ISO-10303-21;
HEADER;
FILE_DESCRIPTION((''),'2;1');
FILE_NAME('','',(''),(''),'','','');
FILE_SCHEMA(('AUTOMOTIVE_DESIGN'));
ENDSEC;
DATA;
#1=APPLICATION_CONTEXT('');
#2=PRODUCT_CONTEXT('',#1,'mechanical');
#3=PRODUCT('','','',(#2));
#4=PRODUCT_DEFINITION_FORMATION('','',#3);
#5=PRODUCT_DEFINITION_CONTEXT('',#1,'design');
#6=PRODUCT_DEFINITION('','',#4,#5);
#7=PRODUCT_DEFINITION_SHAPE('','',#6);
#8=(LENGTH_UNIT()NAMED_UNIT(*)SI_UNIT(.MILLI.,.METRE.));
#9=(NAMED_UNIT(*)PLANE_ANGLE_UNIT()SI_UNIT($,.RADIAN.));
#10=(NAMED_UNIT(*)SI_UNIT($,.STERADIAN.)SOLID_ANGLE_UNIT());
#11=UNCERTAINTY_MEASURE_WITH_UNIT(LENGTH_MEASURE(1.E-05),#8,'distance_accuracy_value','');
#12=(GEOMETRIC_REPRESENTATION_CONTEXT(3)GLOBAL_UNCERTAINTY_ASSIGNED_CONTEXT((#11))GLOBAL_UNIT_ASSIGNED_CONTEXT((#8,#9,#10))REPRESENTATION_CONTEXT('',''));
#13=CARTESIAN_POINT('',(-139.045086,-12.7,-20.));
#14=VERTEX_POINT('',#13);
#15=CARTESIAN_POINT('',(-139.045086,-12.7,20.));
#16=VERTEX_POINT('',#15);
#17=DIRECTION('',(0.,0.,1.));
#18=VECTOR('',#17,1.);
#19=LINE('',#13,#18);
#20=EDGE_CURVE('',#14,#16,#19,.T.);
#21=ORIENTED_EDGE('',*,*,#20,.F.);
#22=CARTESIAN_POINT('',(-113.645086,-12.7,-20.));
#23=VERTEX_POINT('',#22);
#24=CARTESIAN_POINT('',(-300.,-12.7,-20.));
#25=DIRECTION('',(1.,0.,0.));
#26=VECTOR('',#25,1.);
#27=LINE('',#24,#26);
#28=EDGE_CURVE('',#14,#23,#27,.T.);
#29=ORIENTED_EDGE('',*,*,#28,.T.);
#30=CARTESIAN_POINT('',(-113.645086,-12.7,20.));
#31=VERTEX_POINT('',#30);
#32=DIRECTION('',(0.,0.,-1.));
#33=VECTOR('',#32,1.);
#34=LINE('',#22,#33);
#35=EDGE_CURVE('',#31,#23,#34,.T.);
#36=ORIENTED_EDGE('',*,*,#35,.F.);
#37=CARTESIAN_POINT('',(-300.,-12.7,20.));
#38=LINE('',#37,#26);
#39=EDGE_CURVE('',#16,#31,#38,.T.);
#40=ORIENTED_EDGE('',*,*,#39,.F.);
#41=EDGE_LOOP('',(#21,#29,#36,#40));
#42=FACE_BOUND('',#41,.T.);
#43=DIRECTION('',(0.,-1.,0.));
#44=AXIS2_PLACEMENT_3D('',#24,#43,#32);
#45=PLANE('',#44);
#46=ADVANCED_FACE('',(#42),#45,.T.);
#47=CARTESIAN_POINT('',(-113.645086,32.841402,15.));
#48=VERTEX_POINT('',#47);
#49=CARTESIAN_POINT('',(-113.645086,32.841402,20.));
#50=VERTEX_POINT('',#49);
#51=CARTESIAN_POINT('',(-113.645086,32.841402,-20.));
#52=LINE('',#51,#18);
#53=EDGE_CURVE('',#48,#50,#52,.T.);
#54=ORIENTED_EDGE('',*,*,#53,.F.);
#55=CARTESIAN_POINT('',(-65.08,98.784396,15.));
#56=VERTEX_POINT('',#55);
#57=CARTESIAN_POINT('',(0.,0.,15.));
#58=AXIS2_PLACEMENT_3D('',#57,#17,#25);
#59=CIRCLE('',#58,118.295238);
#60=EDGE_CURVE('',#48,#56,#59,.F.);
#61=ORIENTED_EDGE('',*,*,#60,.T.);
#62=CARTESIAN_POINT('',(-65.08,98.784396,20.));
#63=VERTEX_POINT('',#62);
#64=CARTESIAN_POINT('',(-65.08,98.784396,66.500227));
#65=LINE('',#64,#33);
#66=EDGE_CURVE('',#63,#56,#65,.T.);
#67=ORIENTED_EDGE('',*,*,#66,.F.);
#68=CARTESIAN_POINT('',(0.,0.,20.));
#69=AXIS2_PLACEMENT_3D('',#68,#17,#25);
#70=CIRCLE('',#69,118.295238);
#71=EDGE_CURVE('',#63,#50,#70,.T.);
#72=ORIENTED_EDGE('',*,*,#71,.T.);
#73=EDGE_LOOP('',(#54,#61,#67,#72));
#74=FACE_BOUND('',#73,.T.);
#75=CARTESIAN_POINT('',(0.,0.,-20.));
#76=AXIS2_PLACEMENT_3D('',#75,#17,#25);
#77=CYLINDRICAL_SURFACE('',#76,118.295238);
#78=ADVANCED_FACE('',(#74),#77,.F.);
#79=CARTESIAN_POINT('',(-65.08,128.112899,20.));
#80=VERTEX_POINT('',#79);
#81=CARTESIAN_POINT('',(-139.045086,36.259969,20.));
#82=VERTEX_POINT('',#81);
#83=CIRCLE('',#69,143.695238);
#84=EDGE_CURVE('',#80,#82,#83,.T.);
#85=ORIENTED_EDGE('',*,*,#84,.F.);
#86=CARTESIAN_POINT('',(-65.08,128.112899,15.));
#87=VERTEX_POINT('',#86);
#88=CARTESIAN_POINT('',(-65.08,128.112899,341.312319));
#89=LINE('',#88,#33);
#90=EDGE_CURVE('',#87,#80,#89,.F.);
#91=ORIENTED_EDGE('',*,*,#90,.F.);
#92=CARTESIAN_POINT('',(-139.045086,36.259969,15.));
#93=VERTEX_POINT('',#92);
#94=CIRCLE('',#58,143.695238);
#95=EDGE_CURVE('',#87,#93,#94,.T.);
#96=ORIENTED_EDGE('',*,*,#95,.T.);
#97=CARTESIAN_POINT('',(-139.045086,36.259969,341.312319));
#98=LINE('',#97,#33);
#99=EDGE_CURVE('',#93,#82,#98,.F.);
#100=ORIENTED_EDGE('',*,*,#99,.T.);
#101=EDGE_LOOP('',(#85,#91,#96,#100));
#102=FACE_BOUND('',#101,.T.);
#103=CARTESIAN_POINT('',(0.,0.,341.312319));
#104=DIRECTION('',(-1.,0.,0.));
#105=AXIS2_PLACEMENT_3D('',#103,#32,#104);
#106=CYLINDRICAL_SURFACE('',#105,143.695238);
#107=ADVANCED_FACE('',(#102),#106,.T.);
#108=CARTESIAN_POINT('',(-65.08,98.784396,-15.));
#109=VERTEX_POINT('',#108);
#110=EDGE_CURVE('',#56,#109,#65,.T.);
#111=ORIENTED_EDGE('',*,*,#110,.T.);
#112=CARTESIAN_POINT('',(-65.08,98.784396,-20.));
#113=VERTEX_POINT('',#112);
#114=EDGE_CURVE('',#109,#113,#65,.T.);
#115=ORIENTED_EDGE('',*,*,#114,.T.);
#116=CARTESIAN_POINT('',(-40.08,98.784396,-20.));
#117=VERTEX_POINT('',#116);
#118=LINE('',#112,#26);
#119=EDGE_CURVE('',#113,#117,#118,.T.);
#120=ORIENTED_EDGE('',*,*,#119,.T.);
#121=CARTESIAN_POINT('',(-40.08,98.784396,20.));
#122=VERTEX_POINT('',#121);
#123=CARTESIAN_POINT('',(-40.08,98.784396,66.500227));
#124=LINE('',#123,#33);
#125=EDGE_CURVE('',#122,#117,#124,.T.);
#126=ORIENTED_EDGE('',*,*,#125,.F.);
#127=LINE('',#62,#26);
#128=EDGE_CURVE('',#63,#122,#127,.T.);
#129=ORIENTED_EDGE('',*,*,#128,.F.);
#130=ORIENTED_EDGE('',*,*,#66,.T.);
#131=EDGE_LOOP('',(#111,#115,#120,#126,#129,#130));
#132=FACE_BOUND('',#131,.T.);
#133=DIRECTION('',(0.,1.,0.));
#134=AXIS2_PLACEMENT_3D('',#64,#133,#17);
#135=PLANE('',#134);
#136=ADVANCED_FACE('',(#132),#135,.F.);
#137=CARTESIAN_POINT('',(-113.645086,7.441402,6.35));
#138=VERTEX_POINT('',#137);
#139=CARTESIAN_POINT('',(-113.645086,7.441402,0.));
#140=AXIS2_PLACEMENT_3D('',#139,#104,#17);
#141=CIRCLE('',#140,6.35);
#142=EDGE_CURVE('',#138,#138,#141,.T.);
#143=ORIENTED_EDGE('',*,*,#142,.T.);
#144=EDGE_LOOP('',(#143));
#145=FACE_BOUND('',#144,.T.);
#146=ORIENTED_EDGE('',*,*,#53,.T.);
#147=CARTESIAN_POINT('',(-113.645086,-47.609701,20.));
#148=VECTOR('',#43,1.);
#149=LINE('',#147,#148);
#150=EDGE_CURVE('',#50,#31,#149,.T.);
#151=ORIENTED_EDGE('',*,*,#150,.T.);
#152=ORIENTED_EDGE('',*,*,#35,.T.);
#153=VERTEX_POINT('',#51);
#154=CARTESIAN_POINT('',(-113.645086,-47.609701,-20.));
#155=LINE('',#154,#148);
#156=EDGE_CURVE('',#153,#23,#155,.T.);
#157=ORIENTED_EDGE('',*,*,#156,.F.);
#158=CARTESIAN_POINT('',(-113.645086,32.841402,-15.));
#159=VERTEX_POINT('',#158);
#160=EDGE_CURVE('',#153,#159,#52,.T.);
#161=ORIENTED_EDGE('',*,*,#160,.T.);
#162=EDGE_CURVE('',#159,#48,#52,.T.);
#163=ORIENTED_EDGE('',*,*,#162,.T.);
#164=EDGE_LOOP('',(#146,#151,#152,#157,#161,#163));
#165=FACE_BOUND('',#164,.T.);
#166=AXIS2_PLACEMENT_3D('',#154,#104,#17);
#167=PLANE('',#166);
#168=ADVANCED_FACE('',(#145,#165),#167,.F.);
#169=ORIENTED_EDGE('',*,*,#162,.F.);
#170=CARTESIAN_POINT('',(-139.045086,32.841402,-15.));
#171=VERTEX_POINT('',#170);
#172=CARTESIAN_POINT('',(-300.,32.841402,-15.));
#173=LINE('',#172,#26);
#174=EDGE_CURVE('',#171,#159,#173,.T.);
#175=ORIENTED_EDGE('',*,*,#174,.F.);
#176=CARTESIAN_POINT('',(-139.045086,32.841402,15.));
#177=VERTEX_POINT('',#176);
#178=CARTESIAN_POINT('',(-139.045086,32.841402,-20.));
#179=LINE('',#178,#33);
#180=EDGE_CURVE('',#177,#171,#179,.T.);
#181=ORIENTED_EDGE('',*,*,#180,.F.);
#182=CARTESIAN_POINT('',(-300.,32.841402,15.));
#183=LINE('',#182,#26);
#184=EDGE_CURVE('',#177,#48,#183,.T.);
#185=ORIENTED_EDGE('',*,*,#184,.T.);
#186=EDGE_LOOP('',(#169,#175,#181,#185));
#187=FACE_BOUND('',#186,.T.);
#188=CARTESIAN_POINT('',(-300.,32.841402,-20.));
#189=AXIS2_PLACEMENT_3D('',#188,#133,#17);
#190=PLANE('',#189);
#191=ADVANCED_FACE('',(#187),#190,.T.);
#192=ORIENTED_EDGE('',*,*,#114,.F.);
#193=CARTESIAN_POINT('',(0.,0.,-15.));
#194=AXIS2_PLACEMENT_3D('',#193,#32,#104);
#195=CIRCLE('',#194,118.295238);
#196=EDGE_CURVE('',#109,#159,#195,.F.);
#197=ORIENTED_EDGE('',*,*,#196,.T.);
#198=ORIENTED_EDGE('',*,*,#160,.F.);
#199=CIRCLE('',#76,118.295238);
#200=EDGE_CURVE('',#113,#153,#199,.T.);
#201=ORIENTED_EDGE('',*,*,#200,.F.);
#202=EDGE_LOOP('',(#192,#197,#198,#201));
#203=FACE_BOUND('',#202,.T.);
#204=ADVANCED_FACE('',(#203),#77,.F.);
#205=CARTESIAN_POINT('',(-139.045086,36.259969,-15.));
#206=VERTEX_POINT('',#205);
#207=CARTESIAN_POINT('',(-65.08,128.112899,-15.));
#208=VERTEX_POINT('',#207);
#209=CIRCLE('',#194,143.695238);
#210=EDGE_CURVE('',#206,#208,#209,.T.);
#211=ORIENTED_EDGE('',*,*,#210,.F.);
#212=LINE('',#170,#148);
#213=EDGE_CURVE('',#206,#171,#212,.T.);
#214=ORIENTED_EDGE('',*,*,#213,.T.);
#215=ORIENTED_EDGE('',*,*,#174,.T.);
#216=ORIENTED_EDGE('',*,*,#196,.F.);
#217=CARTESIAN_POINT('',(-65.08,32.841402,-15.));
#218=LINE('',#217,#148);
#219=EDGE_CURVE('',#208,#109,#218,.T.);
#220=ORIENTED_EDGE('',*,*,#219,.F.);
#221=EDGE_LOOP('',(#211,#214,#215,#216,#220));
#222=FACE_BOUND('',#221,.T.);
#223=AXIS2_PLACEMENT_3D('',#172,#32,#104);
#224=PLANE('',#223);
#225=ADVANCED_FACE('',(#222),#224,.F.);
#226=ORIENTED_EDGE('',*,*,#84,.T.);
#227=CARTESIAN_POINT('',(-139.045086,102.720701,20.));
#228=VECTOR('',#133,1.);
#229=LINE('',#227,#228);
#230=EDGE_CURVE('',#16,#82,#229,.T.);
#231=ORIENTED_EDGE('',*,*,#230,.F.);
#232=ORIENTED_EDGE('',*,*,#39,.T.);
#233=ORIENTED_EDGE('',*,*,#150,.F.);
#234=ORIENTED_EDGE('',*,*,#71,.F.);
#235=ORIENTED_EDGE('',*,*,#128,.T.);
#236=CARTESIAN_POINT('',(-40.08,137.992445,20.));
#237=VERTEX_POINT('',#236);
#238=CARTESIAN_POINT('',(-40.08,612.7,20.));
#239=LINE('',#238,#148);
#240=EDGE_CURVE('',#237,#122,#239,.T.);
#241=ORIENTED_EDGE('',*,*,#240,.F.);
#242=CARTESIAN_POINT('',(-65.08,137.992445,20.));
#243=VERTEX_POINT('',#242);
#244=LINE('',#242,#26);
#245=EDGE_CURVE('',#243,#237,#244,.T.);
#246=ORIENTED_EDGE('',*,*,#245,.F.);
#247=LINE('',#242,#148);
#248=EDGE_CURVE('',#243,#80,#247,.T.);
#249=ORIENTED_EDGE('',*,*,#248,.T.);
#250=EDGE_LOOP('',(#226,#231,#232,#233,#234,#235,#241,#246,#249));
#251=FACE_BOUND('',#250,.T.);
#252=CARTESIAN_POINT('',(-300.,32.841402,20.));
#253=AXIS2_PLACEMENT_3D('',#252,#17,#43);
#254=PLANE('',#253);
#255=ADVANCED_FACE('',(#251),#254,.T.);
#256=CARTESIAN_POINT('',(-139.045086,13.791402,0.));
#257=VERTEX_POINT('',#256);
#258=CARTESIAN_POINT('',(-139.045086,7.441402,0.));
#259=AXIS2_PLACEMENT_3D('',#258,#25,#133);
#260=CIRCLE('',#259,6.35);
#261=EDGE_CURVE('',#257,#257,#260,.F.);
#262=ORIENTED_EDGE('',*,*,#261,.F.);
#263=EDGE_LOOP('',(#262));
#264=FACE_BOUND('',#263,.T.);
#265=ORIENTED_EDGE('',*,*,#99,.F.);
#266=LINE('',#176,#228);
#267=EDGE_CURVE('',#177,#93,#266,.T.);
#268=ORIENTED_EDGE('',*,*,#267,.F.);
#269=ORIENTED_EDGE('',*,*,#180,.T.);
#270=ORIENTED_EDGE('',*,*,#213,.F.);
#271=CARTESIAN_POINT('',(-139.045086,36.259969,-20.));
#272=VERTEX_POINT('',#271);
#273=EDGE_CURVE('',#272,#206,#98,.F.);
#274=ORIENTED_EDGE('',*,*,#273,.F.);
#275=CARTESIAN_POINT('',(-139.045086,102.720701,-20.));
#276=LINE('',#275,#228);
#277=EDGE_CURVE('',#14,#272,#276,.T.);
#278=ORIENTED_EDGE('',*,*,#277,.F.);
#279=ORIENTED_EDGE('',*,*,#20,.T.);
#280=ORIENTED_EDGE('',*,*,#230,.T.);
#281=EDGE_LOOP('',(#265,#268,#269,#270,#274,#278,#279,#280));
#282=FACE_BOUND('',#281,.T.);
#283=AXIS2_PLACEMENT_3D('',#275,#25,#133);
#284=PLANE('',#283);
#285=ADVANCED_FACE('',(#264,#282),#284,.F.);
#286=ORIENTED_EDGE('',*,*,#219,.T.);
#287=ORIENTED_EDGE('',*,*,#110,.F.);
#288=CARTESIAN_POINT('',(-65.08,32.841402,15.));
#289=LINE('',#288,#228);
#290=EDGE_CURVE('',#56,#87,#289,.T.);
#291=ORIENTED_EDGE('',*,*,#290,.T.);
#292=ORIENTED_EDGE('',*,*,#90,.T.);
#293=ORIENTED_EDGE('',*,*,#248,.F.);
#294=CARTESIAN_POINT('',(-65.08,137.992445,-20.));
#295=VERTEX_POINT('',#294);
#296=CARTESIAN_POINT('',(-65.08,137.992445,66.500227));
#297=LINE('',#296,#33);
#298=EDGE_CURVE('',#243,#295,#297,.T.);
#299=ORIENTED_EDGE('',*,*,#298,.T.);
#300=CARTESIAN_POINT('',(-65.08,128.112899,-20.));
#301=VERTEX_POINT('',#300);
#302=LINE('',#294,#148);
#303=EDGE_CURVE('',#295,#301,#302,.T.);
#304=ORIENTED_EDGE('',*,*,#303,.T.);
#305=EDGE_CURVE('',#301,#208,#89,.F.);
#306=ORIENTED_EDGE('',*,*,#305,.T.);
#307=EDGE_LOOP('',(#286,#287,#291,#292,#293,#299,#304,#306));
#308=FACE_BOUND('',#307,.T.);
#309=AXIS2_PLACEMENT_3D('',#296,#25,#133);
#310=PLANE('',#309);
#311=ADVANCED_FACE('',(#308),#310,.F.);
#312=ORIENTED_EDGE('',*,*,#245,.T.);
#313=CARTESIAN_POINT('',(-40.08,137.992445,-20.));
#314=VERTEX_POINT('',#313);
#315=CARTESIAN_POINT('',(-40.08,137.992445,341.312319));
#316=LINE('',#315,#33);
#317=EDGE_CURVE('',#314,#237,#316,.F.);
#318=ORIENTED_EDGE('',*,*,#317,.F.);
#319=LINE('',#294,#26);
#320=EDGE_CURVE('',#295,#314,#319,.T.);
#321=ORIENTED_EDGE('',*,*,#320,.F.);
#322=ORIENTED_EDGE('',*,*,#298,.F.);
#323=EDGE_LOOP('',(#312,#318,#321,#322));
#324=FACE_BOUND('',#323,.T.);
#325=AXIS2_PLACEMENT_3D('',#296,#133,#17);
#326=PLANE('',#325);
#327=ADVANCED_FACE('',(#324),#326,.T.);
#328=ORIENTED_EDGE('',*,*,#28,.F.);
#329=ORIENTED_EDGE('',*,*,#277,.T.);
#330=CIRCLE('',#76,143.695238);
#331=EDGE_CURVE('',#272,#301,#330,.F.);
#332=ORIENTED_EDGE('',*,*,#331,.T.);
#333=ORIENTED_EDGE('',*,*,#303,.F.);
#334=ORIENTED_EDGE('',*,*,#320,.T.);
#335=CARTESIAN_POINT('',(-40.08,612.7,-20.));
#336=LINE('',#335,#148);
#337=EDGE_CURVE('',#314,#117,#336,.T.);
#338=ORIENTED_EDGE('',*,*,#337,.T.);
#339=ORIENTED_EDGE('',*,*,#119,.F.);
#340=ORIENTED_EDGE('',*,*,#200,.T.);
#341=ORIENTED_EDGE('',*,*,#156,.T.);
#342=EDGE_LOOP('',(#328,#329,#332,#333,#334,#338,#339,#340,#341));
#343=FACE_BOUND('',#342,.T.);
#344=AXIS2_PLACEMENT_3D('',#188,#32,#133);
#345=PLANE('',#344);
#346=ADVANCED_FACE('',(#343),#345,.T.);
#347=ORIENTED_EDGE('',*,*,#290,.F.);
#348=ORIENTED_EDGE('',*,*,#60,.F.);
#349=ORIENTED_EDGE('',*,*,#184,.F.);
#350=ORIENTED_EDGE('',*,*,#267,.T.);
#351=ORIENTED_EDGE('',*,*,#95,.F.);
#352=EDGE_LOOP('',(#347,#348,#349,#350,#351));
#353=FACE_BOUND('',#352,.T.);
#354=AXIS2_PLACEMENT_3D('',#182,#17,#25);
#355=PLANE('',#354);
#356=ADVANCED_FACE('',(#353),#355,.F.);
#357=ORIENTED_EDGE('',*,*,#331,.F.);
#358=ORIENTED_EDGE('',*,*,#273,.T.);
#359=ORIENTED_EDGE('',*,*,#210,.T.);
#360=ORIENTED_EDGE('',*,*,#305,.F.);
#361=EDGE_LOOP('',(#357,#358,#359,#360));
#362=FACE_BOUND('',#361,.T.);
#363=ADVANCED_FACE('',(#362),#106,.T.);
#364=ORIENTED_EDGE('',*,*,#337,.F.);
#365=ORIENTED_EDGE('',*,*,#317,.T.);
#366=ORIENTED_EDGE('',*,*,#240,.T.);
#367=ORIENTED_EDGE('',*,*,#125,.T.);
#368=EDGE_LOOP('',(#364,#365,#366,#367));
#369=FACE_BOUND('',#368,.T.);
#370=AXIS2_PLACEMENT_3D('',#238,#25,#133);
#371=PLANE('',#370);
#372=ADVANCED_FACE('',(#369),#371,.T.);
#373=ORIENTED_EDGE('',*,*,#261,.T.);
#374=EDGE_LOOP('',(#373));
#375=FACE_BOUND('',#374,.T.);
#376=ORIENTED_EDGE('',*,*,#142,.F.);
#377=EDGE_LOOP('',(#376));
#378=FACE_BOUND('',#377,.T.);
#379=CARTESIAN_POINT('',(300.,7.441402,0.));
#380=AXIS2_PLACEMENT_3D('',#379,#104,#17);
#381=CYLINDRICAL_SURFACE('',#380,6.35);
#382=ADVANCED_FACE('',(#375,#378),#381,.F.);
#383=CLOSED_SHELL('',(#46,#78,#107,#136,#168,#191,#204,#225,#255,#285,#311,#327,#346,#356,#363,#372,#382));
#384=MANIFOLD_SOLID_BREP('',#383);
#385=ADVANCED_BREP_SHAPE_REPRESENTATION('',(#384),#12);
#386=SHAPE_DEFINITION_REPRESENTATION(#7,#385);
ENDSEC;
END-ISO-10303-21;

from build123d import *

# Parameters (mm, degrees)
SKETCH3_W                = 40
SKETCH3_H                = 45.541401669
BOSS_EXTRUDE2_DEPTH      = 300
BOSS_EXTRUDE2_DEPTH_BACK = 300
BOSS_EXTRUDE1_DEPTH      = 20
BOSS_EXTRUDE1_DEPTH_BACK = 20
CUT_EXTRUDE1_DEPTH       = 21
CUT_EXTRUDE1_DEPTH_BACK  = 21
SKETCH6_R                = 6.35
CUT_EXTRUDE3_DEPTH       = 464.230235913
SKETCH7_W                = 30
SKETCH7_H                = 500
CUT_EXTRUDE4_DEPTH       = 301
SKETCH9_W                = 717.699329224
SKETCH9_H                = 847.048890614
CUT_EXTRUDE6_DEPTH       = 21
CUT_EXTRUDE6_DEPTH_BACK  = 21
BOSS_EXTRUDE4_START      = -20
SKETCH11_W               = 25
SKETCH11_H               = 39.2080494
BOSS_EXTRUDE4_DEPTH      = 40
SKETCH15_W               = 300
SKETCH15_H               = 135
CUT_EXTRUDE9_DEPTH       = 21
CUT_EXTRUDE9_DEPTH_BACK  = 21


with BuildPart() as part:
    # Sketch3 → Boss-Extrude2 (new body, two sides)
    with BuildSketch(Plane(origin=(0, 0, 0), x_dir=(0, 0, -1), z_dir=(1, 0, 0))) as boss_extrude2_sk:
        with Locations((0, 10.070700834)):
            Rectangle(SKETCH3_W, SKETCH3_H)
    extrude(amount=BOSS_EXTRUDE2_DEPTH)
    extrude(boss_extrude2_sk.sketch, amount=-BOSS_EXTRUDE2_DEPTH_BACK)

    # Sketch2 → Boss-Extrude1 (add, two sides)
    with BuildSketch(Plane.XY) as boss_extrude1_sk:
        with BuildLine():
            Line((105.595237536, 0), (-143.695237536, 0))
            ThreePointArc((-143.695237536, 0), (0, 143.695237536), (143.695237536, 0))
            Line((143.695237536, 0), (105.595237536, 0))
        make_face()
    extrude(amount=BOSS_EXTRUDE1_DEPTH)
    extrude(boss_extrude1_sk.sketch, amount=-BOSS_EXTRUDE1_DEPTH_BACK)

    # Sketch4 → Cut-Extrude1 (cut, two sides)
    with BuildSketch(Plane.XY) as cut_extrude1_sk:
        with BuildLine():
            Line((113.645085948, 32.841401669), (113.645085948, -47.609700579))
            Line((113.645085948, -47.609700579), (-113.645085948, -47.609700579))
            Line((-113.645085948, -47.609700579), (-113.645085948, 32.841401669))
            ThreePointArc((-113.645085948, 32.841401669), (0, 118.295237536), (113.645085948, 32.841401669))
        make_face()
    extrude(amount=CUT_EXTRUDE1_DEPTH, mode=Mode.SUBTRACT)
    extrude(cut_extrude1_sk.sketch, amount=-CUT_EXTRUDE1_DEPTH_BACK, mode=Mode.SUBTRACT)

    # Sketch6 → Cut-Extrude3 (cut, through all)
    with BuildSketch(Plane.ZY.offset(163.230235913)):
        with Locations((0, 7.441401669)):
            Circle(SKETCH6_R)
    extrude(amount=-CUT_EXTRUDE3_DEPTH, mode=Mode.SUBTRACT)

    # Sketch7 → Cut-Extrude4 (cut, through all)
    with BuildSketch(Plane(origin=(0, 0, 0), x_dir=(0, 0, -1), z_dir=(1, 0, 0))):
        with Locations((0, 282.841401669)):
            Rectangle(SKETCH7_W, SKETCH7_H)
    extrude(amount=-CUT_EXTRUDE4_DEPTH, mode=Mode.SUBTRACT)

    # Sketch9 → Cut-Extrude6 (cut, two sides)
    with BuildSketch(Plane.XY) as cut_extrude6_sk:
        with Locations((318.769664612, 189.175554693)):
            Rectangle(SKETCH9_W, SKETCH9_H)
    extrude(amount=CUT_EXTRUDE6_DEPTH, mode=Mode.SUBTRACT)
    extrude(cut_extrude6_sk.sketch, amount=-CUT_EXTRUDE6_DEPTH_BACK, mode=Mode.SUBTRACT)

    # Sketch11 → Boss-Extrude4 (add)
    with BuildSketch(Plane.XY.offset(BOSS_EXTRUDE4_START)):
        with Locations((-52.58, 118.388420349)):
            Rectangle(SKETCH11_W, SKETCH11_H)
    extrude(amount=BOSS_EXTRUDE4_DEPTH)

    # Sketch15 → Cut-Extrude9 (cut, two sides)
    with BuildSketch(Plane.XY) as cut_extrude9_sk:
        with Locations((-289.045085948, 35.220701391)):
            Rectangle(SKETCH15_W, SKETCH15_H)
    extrude(amount=CUT_EXTRUDE9_DEPTH, mode=Mode.SUBTRACT)
    extrude(cut_extrude9_sk.sketch, amount=-CUT_EXTRUDE9_DEPTH_BACK, mode=Mode.SUBTRACT)


solid = part.part
